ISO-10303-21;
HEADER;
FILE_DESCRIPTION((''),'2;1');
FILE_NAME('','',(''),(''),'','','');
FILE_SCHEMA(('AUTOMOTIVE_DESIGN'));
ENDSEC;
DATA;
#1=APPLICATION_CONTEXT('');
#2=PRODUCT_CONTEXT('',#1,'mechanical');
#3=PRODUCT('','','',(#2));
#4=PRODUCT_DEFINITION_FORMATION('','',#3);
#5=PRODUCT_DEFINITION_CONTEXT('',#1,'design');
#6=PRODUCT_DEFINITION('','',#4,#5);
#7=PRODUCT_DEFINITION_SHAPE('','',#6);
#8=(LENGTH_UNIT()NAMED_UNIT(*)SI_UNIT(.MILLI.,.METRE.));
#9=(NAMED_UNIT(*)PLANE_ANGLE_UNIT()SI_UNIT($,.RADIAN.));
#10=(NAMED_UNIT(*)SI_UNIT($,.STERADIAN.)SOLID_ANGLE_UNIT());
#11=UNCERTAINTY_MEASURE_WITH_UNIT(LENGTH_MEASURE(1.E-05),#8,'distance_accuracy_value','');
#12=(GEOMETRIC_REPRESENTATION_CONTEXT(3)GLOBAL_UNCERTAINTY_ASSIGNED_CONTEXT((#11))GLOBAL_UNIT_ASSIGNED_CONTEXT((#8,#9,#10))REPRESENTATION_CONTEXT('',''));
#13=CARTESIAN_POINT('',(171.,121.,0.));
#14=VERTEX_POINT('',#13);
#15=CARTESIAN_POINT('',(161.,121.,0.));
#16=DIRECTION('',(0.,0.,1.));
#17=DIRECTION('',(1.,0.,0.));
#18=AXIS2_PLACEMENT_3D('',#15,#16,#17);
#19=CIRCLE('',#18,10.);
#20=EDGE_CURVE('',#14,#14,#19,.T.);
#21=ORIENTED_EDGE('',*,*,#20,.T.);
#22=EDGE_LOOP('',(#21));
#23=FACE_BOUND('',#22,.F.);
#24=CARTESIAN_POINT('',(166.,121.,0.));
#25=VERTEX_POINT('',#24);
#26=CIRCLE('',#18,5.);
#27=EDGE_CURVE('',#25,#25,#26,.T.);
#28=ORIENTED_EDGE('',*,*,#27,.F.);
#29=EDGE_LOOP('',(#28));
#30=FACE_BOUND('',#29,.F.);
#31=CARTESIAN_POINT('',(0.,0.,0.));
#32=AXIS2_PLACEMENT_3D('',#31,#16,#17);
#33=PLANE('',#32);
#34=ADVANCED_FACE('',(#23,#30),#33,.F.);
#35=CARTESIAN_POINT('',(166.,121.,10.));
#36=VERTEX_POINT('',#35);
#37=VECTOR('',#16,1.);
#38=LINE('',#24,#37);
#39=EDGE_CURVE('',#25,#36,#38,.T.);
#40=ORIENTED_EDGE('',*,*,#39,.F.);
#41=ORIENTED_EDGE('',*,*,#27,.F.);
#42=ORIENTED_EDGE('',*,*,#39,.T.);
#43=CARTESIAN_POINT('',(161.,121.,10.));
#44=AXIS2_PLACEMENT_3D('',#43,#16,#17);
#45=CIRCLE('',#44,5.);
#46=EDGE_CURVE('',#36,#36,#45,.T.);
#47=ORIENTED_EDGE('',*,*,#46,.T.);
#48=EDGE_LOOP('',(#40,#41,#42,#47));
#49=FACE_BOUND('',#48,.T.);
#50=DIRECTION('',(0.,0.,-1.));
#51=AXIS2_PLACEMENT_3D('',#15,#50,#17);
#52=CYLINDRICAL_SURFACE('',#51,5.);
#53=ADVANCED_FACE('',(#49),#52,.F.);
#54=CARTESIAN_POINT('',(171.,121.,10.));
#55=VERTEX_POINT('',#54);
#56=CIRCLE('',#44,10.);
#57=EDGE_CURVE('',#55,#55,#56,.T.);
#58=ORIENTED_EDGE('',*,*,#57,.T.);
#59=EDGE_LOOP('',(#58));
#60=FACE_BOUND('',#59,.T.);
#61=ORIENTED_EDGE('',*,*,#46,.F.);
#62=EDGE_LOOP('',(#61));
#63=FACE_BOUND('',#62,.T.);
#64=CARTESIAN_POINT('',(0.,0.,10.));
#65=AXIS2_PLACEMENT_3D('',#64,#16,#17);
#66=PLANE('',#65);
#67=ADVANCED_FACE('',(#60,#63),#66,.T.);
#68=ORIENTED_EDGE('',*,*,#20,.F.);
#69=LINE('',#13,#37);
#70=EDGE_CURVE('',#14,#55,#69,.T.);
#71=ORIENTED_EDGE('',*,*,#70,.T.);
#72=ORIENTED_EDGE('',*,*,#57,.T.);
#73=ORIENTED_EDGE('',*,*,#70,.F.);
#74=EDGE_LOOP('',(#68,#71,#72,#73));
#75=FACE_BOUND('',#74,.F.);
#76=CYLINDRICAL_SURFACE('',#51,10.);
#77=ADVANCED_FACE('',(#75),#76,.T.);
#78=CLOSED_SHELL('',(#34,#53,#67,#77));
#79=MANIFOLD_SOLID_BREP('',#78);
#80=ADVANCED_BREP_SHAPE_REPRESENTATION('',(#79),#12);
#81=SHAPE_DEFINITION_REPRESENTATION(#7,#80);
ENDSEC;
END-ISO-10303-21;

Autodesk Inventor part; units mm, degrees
ref_plane "YZ Plane" through (0, 0, 0) normal (1, 0, 0) x (0, 1, 0)
ref_plane "XZ Plane" through (0, 0, 0) normal (0, 1, 0) x (-1, 0, 0)
ref_plane "XY Plane" through (0, 0, 0) normal (0, 0, 1) x (1, 0, 0)
ref_plane "Work Plane1" through (0, 0, 0) normal (0, 0, 1) x (1, 0, 0)
sketch "Sketch1" plane through (0, 0, 0) normal (0, 0, 1) x (1, 0, 0)
  circle A0 centre (161, 121) radius 10
  circle A1 centre (161, 121) radius 5
  point P0 (0, 0)
  dimension "d0" = 20
  dimension "d1" = 10
extrude "Extrusion1" add sketch "Sketch1" along normal blind 10
properties part number "ball screw end thrust bearing"
